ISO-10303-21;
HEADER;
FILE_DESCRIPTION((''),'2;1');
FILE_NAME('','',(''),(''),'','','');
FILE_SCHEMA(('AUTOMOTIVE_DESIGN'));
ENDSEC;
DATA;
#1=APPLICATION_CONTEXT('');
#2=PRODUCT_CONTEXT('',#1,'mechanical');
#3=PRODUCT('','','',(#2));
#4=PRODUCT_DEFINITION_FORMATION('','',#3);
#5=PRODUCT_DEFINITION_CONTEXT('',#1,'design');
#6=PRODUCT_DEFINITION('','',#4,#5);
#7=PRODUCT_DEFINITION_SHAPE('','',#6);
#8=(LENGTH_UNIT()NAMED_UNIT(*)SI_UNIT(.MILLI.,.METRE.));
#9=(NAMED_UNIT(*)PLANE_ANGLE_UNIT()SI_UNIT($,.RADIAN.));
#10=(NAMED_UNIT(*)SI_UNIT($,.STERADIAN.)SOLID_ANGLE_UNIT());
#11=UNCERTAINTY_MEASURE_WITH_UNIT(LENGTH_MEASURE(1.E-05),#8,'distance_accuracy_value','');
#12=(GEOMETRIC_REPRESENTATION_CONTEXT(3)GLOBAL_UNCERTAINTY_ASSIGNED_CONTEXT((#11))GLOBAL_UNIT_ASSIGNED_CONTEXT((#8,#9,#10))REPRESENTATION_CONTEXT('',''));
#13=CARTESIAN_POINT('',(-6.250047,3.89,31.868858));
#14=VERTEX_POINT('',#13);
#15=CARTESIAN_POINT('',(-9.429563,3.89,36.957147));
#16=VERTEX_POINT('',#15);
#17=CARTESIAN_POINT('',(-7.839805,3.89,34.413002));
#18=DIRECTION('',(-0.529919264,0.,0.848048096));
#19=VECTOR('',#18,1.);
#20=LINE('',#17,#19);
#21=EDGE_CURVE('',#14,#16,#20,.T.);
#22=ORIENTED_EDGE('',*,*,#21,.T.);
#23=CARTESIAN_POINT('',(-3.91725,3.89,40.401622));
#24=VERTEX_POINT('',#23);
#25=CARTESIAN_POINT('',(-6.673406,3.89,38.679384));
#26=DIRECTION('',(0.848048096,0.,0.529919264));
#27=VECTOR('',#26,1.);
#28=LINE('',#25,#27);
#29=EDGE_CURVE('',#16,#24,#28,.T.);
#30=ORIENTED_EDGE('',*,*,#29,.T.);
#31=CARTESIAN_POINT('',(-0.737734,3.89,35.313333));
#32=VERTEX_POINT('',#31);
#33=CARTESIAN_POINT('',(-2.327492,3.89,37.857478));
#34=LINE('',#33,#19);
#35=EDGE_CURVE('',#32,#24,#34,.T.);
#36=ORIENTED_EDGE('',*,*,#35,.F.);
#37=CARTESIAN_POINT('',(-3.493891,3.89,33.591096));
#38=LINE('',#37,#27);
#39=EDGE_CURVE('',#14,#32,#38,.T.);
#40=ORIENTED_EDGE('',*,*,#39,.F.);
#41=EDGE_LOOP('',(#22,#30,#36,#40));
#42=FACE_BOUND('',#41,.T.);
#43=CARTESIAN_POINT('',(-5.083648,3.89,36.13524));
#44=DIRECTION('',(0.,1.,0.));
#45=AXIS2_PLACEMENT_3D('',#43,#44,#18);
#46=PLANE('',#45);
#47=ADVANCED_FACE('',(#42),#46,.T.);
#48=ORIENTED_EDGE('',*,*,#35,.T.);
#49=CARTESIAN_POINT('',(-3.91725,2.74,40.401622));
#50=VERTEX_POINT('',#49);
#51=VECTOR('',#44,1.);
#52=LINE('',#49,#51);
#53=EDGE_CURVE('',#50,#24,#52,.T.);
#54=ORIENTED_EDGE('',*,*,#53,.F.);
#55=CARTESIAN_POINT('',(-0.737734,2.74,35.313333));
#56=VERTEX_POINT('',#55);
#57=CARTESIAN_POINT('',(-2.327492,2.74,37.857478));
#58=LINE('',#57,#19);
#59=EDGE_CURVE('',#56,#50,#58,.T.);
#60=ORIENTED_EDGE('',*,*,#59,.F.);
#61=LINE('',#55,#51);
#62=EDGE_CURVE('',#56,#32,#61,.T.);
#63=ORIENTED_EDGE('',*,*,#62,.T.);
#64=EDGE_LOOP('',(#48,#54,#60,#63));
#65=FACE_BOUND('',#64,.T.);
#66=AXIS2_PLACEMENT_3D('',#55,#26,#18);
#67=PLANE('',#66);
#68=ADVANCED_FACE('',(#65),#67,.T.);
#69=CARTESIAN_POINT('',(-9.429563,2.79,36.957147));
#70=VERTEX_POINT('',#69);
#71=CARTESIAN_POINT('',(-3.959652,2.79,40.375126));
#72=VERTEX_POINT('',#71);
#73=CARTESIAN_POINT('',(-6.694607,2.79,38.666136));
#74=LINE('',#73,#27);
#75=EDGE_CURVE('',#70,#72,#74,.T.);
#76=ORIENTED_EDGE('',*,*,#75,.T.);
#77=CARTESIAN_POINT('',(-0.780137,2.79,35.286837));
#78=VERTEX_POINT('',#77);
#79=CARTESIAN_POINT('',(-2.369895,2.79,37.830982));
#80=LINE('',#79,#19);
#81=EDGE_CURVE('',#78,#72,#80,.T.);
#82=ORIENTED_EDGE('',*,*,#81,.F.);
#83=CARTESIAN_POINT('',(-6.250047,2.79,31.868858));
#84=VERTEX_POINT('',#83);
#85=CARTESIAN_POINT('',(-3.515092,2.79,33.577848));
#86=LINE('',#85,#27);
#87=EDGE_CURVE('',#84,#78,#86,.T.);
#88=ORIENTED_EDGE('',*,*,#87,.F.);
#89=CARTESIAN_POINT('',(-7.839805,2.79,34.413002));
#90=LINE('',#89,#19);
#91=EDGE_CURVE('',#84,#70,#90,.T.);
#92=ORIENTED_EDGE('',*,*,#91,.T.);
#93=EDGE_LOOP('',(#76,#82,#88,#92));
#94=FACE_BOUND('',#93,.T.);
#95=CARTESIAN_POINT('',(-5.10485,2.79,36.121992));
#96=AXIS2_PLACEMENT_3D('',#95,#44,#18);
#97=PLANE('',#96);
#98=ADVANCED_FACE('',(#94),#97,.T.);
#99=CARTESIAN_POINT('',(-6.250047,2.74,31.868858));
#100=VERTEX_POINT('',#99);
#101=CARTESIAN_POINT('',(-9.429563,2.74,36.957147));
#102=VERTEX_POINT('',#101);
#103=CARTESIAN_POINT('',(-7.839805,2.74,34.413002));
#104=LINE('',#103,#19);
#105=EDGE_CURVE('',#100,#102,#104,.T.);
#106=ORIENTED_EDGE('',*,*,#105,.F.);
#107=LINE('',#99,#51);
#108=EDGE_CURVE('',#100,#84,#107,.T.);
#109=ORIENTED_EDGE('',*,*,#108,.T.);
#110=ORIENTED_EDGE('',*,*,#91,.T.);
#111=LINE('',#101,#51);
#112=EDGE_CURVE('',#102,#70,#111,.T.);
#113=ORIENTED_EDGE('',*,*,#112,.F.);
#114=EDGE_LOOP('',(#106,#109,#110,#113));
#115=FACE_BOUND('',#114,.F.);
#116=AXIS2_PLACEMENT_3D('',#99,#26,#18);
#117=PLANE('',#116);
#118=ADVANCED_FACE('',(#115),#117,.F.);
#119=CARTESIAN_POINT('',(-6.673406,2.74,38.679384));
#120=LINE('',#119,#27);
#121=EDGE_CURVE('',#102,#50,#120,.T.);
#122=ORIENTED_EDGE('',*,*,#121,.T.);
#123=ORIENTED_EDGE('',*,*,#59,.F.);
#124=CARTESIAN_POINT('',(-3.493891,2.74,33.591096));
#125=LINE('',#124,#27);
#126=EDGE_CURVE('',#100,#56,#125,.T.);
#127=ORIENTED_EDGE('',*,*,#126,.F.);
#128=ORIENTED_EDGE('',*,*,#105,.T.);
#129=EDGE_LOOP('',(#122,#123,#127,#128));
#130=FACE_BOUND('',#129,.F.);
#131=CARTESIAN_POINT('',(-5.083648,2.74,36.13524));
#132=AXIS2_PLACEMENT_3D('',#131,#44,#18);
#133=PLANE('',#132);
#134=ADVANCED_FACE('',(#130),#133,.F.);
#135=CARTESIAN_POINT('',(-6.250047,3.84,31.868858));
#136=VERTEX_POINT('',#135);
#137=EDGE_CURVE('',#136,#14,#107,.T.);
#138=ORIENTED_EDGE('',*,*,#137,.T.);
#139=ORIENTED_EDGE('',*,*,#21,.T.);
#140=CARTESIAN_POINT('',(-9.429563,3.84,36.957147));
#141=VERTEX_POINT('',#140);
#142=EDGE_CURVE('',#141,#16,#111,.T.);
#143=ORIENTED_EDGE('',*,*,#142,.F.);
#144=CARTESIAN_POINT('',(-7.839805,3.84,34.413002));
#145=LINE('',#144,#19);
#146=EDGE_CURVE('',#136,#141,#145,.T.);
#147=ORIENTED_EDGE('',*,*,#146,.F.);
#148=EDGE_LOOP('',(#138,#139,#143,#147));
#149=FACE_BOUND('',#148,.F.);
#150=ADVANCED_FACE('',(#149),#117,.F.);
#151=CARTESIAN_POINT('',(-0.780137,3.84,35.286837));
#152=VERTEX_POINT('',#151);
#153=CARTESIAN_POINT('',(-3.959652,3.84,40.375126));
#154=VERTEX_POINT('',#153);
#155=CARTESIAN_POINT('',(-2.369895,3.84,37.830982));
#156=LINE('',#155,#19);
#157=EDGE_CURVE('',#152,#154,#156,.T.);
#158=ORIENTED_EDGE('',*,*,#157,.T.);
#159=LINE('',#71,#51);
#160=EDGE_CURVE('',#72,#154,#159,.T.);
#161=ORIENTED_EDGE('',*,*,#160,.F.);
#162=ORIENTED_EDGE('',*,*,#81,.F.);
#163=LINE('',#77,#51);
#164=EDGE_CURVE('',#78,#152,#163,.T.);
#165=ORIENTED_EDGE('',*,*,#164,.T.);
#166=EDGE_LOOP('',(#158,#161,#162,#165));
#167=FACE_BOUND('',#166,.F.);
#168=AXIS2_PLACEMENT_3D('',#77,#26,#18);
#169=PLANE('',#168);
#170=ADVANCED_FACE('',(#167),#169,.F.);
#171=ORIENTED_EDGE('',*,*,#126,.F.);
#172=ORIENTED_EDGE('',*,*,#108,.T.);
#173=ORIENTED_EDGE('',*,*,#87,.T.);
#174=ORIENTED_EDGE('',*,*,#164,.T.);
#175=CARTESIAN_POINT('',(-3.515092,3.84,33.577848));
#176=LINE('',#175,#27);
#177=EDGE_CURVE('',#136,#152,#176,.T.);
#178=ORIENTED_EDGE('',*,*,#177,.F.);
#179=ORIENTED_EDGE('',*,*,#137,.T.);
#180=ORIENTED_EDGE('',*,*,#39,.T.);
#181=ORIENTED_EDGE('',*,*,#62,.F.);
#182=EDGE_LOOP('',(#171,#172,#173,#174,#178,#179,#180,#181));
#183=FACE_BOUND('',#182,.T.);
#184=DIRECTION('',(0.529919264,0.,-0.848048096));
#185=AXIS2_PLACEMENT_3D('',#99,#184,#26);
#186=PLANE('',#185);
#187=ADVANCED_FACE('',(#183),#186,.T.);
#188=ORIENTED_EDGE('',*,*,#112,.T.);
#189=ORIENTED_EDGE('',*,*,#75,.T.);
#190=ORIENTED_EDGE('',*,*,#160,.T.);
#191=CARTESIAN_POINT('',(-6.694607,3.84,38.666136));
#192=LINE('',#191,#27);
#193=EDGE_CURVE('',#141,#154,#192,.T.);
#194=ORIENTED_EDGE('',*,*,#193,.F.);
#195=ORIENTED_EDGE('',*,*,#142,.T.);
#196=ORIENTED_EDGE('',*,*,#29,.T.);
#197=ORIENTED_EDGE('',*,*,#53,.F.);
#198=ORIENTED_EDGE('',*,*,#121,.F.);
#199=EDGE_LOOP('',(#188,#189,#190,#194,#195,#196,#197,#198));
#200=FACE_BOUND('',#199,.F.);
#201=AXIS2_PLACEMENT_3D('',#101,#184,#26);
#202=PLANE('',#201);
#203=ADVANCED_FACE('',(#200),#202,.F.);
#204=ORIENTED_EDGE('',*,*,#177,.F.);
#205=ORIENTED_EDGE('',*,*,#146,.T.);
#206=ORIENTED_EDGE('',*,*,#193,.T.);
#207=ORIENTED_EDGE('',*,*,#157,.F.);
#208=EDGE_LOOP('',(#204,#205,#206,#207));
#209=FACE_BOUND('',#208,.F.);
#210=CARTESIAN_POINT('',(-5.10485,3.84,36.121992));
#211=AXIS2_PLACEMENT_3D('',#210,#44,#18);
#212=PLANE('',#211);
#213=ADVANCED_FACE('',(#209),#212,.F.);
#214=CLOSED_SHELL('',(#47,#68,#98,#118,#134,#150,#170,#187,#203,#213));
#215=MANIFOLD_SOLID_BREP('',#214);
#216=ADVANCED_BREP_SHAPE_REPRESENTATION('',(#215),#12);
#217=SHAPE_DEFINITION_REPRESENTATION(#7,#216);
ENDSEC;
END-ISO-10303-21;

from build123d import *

# Parameters (mm, degrees)
BOX152_W               = 6
BOX152_H               = 6.45
BOX152_DEPTH           = 1.05
BOX151_W               = 6
BOX151_H               = 6.5
BOX151_DEPTH           = 1.15
CUT071_ROLL_ANGLE      = 90
CUT071_PITCH_ANGLE     = -58
CUT071_PLACEMENT_ANGLE = 180


with BuildPart() as small_cu_gnd_electrode062:
    # Box152 → Box152 (new body)
    with BuildSketch(Plane.XY.offset(0.05)):
        with Locations((3, 3.225)):
            Rectangle(BOX152_W, BOX152_H)
    extrude(amount=BOX152_DEPTH)


with BuildPart() as small_cu_electrode002_short_axis_gnd006:
    # Box151 → Box151 (new body)
    with BuildSketch(Plane.XY):
        with Locations((3, 3.25)):
            Rectangle(BOX151_W, BOX151_H)
    extrude(amount=BOX151_DEPTH)

    # Cut071: cut Small Cu GND Electrode062
    add(small_cu_gnd_electrode062.part, mode=Mode.SUBTRACT)


with BuildPart() as small_cu_electrode002_short_axis_gnd006_1:
    # Cut071 roll: moved
    add(small_cu_electrode002_short_axis_gnd006.part.rotate(Axis((0, 0, 0), (1, 0, 0)), CUT071_ROLL_ANGLE))


with BuildPart() as small_cu_electrode002_short_axis_gnd006_2:
    # Cut071 pitch: moved
    add(small_cu_electrode002_short_axis_gnd006_1.part.rotate(Axis((0, 0, 0), (0, 1, 0)), CUT071_PITCH_ANGLE))


with BuildPart() as small_cu_electrode002_short_axis_gnd006_3:
    # Cut071 placement: moved
    add(small_cu_electrode002_short_axis_gnd006_2.part.moved(Location((-6.250047, 2.74, 31.868858))).rotate(Axis((-6.250047, 2.74, 31.868858), (0, 0, 1)), CUT071_PLACEMENT_ANGLE))


solid = small_cu_electrode002_short_axis_gnd006_3.part
